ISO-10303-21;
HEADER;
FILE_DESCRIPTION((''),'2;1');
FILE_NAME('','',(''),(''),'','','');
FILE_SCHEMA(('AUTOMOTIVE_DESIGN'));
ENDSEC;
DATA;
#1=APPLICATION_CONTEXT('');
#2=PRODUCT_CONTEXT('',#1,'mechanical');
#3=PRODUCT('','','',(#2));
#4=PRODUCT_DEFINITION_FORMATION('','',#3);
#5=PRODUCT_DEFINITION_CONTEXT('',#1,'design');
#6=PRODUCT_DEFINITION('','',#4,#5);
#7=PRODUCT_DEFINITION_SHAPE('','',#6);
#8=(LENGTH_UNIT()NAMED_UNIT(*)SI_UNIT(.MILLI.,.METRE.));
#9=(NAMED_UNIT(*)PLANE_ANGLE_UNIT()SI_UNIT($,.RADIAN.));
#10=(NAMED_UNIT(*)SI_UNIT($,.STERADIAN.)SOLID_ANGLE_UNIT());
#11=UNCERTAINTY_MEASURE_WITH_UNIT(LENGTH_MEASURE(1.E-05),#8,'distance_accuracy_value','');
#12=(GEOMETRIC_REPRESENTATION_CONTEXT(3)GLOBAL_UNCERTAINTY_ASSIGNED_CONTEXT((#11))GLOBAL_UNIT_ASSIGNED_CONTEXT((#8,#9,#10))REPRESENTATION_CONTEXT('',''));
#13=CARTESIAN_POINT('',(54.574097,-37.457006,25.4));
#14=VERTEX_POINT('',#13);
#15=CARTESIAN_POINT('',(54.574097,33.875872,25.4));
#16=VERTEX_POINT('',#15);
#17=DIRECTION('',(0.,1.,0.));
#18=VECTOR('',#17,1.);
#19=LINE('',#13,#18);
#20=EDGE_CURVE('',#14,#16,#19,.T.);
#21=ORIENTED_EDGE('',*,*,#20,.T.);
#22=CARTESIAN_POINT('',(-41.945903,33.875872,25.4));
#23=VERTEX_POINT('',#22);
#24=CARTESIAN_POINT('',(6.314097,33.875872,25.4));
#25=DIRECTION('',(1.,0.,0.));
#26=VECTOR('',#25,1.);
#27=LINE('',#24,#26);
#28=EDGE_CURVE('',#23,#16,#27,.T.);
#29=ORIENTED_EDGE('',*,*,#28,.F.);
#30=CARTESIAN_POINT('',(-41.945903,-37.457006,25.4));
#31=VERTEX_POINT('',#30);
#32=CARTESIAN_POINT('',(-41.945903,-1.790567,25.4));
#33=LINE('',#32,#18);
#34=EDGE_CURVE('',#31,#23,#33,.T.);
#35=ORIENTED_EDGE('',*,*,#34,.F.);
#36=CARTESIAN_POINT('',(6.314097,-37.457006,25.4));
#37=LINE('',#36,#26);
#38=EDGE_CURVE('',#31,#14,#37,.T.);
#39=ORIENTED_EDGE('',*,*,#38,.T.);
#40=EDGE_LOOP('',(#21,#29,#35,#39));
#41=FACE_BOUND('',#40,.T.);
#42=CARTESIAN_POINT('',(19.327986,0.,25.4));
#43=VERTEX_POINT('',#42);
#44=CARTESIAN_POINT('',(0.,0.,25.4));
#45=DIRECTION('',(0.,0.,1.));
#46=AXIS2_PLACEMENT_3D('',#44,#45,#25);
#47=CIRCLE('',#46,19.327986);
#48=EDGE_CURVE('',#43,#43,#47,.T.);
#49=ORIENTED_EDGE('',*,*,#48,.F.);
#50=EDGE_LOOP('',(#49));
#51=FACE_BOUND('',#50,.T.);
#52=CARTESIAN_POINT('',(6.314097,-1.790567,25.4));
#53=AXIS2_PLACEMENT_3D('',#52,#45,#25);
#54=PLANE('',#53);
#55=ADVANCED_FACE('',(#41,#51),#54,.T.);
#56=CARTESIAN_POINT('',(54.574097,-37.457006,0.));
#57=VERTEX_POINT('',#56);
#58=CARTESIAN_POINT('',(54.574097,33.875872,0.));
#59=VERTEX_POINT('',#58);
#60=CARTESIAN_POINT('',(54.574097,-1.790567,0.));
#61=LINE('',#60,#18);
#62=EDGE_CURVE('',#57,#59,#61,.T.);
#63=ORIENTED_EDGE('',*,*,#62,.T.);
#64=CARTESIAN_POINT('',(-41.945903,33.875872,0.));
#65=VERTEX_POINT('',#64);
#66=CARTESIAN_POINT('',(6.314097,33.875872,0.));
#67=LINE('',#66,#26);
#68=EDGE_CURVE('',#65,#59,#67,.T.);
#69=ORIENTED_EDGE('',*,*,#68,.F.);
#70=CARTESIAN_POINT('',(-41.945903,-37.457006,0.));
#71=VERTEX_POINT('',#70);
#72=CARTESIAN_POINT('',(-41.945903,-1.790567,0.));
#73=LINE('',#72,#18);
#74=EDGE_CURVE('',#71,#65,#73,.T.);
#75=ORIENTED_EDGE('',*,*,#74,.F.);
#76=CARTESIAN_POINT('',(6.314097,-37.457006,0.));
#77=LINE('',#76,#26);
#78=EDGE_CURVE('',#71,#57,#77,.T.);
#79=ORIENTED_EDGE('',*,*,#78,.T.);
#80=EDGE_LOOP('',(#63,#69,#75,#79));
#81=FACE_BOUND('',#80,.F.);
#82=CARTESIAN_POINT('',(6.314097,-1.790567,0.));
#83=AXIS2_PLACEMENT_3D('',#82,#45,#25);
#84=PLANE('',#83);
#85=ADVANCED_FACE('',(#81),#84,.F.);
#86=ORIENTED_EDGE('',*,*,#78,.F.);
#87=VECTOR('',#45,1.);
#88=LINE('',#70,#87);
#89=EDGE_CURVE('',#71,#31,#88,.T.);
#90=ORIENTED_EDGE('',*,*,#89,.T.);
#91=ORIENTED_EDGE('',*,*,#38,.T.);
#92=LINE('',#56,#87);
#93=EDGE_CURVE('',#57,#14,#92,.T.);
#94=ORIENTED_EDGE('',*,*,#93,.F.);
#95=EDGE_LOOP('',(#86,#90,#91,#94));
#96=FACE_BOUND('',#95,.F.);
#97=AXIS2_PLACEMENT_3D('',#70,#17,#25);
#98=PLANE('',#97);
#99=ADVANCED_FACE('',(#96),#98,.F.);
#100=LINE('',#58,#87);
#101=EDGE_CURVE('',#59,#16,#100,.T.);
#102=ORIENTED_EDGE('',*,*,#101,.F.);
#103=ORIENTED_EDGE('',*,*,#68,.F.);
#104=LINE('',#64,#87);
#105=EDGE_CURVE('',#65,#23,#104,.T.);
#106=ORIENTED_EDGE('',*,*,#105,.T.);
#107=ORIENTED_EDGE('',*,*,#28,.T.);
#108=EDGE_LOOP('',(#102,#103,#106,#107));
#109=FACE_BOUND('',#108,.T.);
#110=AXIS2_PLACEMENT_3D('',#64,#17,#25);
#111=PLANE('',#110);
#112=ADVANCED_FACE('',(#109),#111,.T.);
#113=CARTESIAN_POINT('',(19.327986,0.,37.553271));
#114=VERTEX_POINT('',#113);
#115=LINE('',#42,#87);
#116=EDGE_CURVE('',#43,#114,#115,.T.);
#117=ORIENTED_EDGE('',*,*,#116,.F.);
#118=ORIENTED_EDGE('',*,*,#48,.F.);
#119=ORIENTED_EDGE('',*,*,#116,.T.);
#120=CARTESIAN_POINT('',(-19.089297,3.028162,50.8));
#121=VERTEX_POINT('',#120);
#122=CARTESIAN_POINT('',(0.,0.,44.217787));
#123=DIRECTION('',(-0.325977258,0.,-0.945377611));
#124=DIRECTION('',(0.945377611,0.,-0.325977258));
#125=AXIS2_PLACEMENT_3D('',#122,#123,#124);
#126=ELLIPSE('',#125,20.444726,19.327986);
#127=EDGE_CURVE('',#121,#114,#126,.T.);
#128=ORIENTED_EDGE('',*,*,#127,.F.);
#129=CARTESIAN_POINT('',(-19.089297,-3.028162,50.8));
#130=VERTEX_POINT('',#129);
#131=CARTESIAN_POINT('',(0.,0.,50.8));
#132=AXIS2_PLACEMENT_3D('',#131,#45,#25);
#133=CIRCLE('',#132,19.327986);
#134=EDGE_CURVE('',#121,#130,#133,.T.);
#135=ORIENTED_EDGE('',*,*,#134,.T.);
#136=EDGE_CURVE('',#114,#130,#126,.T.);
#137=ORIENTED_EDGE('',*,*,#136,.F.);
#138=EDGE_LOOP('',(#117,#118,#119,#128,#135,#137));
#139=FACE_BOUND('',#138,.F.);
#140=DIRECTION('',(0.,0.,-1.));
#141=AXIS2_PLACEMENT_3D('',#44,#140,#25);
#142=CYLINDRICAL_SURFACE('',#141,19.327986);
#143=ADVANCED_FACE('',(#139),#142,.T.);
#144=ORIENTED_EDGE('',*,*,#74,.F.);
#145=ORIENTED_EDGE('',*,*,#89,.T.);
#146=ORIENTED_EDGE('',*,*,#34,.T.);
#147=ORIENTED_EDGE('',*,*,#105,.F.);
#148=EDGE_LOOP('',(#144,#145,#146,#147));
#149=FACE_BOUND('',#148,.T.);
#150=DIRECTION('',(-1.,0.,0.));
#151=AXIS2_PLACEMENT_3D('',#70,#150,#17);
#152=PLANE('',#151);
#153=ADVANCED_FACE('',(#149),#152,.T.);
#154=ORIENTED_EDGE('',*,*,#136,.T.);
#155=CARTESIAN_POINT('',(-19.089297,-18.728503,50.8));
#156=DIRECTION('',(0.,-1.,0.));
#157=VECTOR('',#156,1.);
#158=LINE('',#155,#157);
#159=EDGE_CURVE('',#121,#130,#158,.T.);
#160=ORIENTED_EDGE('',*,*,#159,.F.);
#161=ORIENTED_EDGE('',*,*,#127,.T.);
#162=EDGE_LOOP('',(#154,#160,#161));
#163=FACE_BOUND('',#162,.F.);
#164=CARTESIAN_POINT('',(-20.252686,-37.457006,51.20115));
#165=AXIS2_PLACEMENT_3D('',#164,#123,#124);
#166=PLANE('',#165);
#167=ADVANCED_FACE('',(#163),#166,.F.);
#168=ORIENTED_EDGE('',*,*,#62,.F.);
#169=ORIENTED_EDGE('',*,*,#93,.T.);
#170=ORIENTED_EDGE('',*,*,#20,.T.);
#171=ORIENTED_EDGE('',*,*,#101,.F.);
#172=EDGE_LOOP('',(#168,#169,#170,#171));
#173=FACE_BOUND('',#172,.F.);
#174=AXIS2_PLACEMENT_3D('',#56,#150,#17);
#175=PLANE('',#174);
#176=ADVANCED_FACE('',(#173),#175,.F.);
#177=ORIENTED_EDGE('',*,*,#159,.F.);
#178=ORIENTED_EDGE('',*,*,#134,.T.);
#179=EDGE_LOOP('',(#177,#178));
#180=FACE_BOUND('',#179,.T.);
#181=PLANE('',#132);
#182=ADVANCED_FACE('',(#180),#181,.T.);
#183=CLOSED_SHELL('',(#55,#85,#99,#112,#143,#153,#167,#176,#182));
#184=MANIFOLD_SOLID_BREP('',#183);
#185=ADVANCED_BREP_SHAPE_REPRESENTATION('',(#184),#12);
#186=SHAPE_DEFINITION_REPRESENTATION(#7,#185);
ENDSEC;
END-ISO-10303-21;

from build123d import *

# Parameters (mm, degrees)
F0_W     = 96.52
F0_H     = 71.332879
F1_DEPTH = 25.4
F2_R     = 19.327986
F3_DEPTH = 25.4
F5_DEPTH = 71.333879


with BuildPart() as f1:
    # F0 (on Top) → F1 (new body)
    with BuildSketch(Plane.XY):
        with Locations((6.314097, -1.790567)):
            Rectangle(F0_W, F0_H)
    extrude(amount=F1_DEPTH)

    # F2 (on face) → F3 (join)
    with BuildSketch(Plane.XY.offset(25.4)):
        Circle(F2_R)
    extrude(amount=F3_DEPTH)

    # F4 (on face) → F5 (cut, through all)
    with BuildSketch(Plane.XZ.offset(37.457006)):
        Polygon((-20.252686, 51.20115), (54.574097, 25.4), (54.574097, 51.20115), align=None)
    extrude(amount=-F5_DEPTH, mode=Mode.SUBTRACT)


solid = f1.part
